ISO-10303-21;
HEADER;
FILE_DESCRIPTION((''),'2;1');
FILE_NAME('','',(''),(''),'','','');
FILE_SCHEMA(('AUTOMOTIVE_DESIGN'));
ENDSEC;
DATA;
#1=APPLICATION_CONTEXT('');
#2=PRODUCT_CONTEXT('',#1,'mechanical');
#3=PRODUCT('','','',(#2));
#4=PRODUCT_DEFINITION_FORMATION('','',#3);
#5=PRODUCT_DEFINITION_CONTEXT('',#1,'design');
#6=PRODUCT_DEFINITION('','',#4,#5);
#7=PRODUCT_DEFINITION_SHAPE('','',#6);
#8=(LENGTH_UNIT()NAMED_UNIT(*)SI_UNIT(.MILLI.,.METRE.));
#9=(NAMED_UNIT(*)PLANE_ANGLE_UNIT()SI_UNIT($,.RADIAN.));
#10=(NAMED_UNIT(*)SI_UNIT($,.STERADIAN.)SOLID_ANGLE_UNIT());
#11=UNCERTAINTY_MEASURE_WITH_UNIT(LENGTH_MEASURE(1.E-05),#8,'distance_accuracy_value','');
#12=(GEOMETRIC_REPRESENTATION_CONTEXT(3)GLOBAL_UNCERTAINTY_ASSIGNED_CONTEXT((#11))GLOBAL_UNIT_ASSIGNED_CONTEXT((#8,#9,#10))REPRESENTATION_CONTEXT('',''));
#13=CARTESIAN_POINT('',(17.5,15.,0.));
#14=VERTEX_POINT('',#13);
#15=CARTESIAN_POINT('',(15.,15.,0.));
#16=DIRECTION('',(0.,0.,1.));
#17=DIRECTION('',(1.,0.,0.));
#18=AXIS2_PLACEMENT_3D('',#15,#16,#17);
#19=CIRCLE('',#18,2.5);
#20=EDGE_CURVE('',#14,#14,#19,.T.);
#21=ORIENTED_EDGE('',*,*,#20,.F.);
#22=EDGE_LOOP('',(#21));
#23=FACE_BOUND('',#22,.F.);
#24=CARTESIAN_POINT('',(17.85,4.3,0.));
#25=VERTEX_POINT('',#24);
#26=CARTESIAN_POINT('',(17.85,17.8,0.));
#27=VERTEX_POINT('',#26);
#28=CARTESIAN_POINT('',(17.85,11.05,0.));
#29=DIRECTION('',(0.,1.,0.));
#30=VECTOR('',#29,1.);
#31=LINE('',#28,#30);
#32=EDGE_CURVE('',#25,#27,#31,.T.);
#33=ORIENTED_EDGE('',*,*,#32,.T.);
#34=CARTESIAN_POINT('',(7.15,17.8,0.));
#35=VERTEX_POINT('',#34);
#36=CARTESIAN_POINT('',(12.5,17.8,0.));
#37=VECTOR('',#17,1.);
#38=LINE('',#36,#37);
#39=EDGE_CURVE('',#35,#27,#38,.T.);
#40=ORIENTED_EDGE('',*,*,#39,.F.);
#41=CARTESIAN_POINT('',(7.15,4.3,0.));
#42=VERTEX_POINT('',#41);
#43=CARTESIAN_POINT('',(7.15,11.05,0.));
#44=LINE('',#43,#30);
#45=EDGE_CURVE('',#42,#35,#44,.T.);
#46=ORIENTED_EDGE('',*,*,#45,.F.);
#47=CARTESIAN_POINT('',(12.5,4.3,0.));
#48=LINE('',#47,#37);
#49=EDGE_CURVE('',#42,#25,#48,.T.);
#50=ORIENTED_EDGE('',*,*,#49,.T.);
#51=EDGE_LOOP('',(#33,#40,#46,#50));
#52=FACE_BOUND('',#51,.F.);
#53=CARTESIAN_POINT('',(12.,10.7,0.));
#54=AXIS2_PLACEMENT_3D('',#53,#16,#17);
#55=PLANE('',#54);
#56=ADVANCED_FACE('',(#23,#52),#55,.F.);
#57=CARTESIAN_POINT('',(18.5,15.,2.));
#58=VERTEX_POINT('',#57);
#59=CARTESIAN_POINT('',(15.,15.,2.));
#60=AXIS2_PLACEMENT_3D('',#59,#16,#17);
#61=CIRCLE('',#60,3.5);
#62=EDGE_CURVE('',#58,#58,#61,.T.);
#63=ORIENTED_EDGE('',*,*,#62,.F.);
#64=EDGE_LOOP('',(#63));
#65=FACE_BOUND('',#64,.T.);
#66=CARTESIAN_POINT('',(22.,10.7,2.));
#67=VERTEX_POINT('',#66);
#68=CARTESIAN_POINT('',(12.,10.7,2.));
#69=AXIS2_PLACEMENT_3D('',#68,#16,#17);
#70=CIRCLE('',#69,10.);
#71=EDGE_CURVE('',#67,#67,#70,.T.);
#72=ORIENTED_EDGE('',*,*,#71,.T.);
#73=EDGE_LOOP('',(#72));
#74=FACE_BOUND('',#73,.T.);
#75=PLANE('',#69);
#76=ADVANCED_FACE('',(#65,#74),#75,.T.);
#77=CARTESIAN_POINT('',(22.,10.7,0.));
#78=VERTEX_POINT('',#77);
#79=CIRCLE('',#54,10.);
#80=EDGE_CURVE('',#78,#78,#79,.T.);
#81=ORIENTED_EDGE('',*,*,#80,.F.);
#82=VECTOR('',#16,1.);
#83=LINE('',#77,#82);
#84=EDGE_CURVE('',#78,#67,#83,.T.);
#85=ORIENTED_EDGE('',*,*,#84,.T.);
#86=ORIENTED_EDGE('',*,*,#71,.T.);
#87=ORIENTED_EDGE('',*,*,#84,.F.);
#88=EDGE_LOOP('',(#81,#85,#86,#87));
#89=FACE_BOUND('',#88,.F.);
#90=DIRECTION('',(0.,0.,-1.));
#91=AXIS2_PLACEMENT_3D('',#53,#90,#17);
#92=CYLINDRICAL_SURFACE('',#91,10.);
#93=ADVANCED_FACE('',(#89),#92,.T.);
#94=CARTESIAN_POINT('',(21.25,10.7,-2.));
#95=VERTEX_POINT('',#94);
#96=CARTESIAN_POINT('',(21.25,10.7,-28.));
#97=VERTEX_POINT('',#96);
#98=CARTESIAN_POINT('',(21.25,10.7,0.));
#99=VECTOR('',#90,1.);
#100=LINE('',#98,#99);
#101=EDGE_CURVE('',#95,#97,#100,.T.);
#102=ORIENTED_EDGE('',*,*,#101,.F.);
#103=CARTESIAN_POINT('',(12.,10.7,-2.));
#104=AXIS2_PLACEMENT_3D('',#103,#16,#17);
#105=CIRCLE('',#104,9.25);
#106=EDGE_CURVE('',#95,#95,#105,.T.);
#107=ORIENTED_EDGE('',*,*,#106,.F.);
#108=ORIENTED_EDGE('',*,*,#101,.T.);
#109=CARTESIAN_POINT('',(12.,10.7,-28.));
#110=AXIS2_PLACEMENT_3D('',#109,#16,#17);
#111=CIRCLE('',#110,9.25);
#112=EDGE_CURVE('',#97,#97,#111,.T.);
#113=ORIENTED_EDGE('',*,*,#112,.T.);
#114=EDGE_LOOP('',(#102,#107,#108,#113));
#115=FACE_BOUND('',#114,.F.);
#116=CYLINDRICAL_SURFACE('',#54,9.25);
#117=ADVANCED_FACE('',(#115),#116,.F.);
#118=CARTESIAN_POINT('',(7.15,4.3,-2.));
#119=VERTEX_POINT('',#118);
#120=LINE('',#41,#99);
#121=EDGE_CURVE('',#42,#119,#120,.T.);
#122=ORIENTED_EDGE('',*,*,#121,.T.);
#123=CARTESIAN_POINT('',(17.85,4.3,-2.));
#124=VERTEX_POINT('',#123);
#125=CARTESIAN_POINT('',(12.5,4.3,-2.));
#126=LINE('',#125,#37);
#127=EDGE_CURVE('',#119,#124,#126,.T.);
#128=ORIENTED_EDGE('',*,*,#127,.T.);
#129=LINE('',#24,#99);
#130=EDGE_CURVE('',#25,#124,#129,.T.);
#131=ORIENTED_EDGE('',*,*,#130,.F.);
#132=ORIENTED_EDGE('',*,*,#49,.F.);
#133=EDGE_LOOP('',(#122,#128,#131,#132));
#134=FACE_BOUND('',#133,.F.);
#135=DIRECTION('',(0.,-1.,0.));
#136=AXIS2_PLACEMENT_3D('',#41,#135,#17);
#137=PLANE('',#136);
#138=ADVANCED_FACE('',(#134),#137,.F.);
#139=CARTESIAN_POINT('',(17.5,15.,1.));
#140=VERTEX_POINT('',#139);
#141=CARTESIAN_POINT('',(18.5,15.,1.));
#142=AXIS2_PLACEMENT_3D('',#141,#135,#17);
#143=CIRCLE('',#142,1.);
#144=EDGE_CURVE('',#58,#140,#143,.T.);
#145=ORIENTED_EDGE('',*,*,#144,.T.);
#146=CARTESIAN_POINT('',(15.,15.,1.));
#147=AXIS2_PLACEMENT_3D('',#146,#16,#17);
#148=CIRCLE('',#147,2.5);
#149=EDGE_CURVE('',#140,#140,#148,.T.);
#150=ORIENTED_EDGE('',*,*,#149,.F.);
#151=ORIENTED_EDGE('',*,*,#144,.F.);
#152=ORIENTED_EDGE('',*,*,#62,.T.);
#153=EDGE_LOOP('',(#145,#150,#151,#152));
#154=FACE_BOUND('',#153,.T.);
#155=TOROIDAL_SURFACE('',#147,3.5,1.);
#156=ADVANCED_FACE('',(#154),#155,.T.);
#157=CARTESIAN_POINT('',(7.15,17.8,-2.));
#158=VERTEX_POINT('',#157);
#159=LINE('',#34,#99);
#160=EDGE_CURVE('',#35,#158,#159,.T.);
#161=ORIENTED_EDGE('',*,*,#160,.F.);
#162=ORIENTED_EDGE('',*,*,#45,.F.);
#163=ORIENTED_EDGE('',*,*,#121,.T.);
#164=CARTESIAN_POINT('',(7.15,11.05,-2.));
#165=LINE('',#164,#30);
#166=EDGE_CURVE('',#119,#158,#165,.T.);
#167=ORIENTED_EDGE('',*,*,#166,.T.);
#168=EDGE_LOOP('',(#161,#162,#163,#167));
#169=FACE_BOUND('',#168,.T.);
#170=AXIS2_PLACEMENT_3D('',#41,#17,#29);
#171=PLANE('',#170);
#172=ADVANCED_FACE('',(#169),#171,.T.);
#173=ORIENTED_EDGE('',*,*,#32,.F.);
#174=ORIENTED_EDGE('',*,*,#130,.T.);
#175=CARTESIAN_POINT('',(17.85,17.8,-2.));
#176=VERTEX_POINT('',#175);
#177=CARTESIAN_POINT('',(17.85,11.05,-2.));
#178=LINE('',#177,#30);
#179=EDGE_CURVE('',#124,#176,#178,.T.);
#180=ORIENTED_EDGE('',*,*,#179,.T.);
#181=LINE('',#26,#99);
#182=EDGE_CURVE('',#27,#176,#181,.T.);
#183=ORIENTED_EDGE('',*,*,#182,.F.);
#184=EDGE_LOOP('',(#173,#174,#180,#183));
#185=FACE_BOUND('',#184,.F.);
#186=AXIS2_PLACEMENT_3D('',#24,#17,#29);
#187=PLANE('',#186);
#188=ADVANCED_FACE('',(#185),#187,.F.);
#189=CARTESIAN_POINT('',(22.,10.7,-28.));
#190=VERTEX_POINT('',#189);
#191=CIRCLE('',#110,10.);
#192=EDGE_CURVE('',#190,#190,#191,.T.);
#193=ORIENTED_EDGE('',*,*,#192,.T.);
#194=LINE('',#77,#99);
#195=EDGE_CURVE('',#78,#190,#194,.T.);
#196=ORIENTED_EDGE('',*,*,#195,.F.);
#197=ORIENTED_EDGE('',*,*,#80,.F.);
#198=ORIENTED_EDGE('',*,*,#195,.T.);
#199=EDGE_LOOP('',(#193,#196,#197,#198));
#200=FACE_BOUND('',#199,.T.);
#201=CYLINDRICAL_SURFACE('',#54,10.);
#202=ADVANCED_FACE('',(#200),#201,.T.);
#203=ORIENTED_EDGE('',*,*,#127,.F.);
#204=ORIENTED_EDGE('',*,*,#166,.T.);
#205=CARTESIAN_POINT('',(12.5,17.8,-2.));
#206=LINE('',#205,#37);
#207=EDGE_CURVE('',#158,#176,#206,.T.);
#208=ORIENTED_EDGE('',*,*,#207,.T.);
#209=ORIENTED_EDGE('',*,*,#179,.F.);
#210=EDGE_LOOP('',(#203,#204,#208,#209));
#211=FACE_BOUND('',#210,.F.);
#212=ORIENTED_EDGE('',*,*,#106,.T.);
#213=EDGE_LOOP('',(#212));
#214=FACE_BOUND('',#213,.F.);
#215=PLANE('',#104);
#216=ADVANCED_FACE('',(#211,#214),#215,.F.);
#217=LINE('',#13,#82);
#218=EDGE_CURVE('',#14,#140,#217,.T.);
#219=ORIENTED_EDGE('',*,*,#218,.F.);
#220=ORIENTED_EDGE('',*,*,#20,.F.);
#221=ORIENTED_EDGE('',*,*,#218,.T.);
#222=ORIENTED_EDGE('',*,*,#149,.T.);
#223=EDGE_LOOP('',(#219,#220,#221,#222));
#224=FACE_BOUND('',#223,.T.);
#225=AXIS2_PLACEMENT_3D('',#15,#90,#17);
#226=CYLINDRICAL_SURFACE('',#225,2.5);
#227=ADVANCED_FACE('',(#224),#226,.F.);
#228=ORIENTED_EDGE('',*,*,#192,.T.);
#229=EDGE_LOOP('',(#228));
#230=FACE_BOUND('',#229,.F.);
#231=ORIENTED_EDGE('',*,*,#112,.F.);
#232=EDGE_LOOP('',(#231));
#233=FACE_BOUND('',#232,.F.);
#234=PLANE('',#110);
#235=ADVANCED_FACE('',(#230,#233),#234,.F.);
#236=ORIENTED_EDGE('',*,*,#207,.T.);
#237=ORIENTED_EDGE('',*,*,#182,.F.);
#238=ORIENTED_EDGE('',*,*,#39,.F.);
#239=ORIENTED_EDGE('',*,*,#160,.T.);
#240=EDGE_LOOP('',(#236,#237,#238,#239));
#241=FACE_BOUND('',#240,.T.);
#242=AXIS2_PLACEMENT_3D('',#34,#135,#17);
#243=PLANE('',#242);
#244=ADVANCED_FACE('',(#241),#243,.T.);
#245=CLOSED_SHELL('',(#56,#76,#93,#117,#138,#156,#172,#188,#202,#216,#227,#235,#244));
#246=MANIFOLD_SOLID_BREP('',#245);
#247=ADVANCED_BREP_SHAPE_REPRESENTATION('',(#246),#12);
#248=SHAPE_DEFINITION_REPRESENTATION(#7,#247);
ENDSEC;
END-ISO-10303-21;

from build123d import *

# Parameters (mm, degrees)
SKETCH_R      = 10
SKETCH_R_2    = 9.25
PAD_DEPTH     = 28
SKETCH001_R   = 10
SKETCH001_W   = 10.7
SKETCH001_H   = 13.5
PAD001_DEPTH  = 2
SKETCH005_R   = 10
SKETCH005_R_2 = 2.5
PAD004_DEPTH  = 2
FILLET_R      = 1


with BuildPart() as part:
    # Sketch (on XY_Plane of Origin) → Pad (new body)
    with BuildSketch(Plane.XY):
        with Locations((12, 10.7)):
            Circle(SKETCH_R)
        with Locations((12, 10.7)):
            Circle(SKETCH_R_2, mode=Mode.SUBTRACT)
    extrude(amount=-PAD_DEPTH)

    # Sketch001 (on Face3 of Pad) → Pad001 (join)
    with BuildSketch(Plane.XY):
        with Locations((12, 10.7)):
            Circle(SKETCH001_R)
        with Locations((12.5, 11.05)):
            Rectangle(SKETCH001_W, SKETCH001_H, mode=Mode.SUBTRACT)
    extrude(amount=-PAD001_DEPTH)

    # Sketch005 (on Face8 of Pad001) → Pad004 (join)
    with BuildSketch(Plane.XY):
        with Locations((12, 10.7)):
            Circle(SKETCH005_R)
        with Locations((15, 15)):
            Circle(SKETCH005_R_2, mode=Mode.SUBTRACT)
    extrude(amount=PAD004_DEPTH)

    # Fillet
    fillet_edges = [part.edges().sort_by_distance(p)[0] for p in [
        (12.5, 15, 2),
    ]]
    fillet(fillet_edges, radius=FILLET_R)


solid = part.part
